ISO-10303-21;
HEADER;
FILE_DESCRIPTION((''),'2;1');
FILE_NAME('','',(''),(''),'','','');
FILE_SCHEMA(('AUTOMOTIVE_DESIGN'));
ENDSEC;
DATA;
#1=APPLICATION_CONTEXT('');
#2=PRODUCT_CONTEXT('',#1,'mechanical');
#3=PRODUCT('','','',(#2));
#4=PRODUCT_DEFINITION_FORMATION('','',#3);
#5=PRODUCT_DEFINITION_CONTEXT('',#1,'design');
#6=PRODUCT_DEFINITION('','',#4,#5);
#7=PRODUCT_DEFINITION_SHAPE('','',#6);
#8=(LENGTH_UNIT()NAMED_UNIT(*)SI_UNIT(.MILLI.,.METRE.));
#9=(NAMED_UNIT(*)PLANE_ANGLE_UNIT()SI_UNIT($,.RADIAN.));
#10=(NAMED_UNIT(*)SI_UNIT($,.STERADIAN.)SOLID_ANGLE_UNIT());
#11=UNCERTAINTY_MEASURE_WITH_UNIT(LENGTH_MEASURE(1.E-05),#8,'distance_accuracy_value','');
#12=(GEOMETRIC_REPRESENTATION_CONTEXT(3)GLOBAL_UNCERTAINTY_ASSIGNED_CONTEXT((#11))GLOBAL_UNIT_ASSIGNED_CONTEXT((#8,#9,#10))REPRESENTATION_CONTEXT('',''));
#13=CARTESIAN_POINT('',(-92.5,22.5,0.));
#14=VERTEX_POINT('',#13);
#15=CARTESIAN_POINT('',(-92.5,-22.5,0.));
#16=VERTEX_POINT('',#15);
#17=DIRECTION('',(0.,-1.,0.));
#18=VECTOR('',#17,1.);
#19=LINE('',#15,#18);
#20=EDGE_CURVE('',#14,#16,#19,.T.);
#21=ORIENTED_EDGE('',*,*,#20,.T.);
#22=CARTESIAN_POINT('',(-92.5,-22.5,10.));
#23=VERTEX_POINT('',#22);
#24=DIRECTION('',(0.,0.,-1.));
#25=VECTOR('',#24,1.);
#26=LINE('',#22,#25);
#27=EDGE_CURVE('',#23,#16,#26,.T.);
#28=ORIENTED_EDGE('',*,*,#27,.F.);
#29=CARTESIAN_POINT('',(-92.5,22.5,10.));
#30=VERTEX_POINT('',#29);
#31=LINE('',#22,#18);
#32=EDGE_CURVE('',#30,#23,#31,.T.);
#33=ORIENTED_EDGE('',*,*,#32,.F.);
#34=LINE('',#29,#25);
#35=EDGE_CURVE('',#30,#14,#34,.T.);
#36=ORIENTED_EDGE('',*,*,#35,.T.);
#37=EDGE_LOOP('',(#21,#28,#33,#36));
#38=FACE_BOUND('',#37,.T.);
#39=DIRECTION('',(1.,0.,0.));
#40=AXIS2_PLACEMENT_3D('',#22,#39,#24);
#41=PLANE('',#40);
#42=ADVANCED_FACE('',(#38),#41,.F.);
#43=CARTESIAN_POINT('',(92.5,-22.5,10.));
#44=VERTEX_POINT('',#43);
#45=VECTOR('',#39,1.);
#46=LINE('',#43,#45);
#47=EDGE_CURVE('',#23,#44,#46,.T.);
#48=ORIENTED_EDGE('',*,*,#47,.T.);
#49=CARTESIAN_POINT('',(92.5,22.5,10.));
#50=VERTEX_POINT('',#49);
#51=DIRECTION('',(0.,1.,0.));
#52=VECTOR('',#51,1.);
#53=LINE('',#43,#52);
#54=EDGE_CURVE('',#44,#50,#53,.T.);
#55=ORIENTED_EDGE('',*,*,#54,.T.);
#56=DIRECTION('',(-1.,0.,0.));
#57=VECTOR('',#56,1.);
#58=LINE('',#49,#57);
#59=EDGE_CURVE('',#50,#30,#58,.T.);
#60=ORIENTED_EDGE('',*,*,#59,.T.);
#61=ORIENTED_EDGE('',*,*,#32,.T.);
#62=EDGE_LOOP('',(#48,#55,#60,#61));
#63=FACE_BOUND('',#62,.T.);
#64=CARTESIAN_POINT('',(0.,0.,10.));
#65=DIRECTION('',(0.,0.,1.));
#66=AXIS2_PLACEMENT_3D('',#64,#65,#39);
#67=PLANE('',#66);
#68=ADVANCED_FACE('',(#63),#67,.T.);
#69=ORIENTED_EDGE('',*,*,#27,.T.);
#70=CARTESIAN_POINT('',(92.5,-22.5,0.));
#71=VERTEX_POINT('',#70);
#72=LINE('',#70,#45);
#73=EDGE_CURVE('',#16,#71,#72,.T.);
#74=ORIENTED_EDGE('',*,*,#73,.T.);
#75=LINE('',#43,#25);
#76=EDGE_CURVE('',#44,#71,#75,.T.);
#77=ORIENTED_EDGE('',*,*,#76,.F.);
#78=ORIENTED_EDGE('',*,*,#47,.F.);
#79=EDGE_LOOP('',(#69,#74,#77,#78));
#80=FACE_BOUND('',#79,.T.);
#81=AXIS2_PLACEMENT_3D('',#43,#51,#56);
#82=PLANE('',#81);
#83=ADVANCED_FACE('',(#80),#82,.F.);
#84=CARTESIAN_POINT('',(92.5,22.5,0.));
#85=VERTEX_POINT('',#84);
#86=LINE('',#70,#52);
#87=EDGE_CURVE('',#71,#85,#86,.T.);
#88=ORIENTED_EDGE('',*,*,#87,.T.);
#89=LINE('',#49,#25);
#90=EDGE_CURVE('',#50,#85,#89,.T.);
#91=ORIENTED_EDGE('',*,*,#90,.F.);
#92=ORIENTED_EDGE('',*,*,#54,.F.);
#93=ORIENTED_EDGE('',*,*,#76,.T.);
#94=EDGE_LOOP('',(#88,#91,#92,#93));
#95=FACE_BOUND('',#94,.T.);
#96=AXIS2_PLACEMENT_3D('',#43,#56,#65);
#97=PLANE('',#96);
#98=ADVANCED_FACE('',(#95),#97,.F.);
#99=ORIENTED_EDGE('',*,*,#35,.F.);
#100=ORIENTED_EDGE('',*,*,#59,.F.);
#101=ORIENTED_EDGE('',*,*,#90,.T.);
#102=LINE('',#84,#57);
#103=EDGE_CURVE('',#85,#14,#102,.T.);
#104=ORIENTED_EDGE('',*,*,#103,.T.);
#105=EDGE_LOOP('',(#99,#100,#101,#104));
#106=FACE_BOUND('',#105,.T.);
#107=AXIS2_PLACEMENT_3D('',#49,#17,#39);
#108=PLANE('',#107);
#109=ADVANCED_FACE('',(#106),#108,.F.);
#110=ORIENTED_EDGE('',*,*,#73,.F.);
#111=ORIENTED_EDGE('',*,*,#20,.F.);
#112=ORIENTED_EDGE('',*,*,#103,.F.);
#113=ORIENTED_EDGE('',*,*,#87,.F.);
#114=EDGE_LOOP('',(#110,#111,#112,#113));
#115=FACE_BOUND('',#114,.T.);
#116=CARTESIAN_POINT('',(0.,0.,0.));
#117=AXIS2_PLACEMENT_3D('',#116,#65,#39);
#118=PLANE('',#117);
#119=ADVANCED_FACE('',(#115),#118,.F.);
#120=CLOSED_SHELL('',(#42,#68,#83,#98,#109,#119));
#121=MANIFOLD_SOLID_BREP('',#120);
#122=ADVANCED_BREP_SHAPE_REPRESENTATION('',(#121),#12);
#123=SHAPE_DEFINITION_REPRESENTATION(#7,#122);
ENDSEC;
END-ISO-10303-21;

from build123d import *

# Parameters (mm, degrees)
ESBO_O2_W                = 185
ESBO_O2_H                = 45
RESSALTO_EXTRUS_O1_DEPTH = 10


with BuildPart() as part:
    # Esboço2 → Ressalto-extrusão1 (new body)
    with BuildSketch(Plane.XY):
        Rectangle(ESBO_O2_W, ESBO_O2_H)
    extrude(amount=RESSALTO_EXTRUS_O1_DEPTH)


solid = part.part
